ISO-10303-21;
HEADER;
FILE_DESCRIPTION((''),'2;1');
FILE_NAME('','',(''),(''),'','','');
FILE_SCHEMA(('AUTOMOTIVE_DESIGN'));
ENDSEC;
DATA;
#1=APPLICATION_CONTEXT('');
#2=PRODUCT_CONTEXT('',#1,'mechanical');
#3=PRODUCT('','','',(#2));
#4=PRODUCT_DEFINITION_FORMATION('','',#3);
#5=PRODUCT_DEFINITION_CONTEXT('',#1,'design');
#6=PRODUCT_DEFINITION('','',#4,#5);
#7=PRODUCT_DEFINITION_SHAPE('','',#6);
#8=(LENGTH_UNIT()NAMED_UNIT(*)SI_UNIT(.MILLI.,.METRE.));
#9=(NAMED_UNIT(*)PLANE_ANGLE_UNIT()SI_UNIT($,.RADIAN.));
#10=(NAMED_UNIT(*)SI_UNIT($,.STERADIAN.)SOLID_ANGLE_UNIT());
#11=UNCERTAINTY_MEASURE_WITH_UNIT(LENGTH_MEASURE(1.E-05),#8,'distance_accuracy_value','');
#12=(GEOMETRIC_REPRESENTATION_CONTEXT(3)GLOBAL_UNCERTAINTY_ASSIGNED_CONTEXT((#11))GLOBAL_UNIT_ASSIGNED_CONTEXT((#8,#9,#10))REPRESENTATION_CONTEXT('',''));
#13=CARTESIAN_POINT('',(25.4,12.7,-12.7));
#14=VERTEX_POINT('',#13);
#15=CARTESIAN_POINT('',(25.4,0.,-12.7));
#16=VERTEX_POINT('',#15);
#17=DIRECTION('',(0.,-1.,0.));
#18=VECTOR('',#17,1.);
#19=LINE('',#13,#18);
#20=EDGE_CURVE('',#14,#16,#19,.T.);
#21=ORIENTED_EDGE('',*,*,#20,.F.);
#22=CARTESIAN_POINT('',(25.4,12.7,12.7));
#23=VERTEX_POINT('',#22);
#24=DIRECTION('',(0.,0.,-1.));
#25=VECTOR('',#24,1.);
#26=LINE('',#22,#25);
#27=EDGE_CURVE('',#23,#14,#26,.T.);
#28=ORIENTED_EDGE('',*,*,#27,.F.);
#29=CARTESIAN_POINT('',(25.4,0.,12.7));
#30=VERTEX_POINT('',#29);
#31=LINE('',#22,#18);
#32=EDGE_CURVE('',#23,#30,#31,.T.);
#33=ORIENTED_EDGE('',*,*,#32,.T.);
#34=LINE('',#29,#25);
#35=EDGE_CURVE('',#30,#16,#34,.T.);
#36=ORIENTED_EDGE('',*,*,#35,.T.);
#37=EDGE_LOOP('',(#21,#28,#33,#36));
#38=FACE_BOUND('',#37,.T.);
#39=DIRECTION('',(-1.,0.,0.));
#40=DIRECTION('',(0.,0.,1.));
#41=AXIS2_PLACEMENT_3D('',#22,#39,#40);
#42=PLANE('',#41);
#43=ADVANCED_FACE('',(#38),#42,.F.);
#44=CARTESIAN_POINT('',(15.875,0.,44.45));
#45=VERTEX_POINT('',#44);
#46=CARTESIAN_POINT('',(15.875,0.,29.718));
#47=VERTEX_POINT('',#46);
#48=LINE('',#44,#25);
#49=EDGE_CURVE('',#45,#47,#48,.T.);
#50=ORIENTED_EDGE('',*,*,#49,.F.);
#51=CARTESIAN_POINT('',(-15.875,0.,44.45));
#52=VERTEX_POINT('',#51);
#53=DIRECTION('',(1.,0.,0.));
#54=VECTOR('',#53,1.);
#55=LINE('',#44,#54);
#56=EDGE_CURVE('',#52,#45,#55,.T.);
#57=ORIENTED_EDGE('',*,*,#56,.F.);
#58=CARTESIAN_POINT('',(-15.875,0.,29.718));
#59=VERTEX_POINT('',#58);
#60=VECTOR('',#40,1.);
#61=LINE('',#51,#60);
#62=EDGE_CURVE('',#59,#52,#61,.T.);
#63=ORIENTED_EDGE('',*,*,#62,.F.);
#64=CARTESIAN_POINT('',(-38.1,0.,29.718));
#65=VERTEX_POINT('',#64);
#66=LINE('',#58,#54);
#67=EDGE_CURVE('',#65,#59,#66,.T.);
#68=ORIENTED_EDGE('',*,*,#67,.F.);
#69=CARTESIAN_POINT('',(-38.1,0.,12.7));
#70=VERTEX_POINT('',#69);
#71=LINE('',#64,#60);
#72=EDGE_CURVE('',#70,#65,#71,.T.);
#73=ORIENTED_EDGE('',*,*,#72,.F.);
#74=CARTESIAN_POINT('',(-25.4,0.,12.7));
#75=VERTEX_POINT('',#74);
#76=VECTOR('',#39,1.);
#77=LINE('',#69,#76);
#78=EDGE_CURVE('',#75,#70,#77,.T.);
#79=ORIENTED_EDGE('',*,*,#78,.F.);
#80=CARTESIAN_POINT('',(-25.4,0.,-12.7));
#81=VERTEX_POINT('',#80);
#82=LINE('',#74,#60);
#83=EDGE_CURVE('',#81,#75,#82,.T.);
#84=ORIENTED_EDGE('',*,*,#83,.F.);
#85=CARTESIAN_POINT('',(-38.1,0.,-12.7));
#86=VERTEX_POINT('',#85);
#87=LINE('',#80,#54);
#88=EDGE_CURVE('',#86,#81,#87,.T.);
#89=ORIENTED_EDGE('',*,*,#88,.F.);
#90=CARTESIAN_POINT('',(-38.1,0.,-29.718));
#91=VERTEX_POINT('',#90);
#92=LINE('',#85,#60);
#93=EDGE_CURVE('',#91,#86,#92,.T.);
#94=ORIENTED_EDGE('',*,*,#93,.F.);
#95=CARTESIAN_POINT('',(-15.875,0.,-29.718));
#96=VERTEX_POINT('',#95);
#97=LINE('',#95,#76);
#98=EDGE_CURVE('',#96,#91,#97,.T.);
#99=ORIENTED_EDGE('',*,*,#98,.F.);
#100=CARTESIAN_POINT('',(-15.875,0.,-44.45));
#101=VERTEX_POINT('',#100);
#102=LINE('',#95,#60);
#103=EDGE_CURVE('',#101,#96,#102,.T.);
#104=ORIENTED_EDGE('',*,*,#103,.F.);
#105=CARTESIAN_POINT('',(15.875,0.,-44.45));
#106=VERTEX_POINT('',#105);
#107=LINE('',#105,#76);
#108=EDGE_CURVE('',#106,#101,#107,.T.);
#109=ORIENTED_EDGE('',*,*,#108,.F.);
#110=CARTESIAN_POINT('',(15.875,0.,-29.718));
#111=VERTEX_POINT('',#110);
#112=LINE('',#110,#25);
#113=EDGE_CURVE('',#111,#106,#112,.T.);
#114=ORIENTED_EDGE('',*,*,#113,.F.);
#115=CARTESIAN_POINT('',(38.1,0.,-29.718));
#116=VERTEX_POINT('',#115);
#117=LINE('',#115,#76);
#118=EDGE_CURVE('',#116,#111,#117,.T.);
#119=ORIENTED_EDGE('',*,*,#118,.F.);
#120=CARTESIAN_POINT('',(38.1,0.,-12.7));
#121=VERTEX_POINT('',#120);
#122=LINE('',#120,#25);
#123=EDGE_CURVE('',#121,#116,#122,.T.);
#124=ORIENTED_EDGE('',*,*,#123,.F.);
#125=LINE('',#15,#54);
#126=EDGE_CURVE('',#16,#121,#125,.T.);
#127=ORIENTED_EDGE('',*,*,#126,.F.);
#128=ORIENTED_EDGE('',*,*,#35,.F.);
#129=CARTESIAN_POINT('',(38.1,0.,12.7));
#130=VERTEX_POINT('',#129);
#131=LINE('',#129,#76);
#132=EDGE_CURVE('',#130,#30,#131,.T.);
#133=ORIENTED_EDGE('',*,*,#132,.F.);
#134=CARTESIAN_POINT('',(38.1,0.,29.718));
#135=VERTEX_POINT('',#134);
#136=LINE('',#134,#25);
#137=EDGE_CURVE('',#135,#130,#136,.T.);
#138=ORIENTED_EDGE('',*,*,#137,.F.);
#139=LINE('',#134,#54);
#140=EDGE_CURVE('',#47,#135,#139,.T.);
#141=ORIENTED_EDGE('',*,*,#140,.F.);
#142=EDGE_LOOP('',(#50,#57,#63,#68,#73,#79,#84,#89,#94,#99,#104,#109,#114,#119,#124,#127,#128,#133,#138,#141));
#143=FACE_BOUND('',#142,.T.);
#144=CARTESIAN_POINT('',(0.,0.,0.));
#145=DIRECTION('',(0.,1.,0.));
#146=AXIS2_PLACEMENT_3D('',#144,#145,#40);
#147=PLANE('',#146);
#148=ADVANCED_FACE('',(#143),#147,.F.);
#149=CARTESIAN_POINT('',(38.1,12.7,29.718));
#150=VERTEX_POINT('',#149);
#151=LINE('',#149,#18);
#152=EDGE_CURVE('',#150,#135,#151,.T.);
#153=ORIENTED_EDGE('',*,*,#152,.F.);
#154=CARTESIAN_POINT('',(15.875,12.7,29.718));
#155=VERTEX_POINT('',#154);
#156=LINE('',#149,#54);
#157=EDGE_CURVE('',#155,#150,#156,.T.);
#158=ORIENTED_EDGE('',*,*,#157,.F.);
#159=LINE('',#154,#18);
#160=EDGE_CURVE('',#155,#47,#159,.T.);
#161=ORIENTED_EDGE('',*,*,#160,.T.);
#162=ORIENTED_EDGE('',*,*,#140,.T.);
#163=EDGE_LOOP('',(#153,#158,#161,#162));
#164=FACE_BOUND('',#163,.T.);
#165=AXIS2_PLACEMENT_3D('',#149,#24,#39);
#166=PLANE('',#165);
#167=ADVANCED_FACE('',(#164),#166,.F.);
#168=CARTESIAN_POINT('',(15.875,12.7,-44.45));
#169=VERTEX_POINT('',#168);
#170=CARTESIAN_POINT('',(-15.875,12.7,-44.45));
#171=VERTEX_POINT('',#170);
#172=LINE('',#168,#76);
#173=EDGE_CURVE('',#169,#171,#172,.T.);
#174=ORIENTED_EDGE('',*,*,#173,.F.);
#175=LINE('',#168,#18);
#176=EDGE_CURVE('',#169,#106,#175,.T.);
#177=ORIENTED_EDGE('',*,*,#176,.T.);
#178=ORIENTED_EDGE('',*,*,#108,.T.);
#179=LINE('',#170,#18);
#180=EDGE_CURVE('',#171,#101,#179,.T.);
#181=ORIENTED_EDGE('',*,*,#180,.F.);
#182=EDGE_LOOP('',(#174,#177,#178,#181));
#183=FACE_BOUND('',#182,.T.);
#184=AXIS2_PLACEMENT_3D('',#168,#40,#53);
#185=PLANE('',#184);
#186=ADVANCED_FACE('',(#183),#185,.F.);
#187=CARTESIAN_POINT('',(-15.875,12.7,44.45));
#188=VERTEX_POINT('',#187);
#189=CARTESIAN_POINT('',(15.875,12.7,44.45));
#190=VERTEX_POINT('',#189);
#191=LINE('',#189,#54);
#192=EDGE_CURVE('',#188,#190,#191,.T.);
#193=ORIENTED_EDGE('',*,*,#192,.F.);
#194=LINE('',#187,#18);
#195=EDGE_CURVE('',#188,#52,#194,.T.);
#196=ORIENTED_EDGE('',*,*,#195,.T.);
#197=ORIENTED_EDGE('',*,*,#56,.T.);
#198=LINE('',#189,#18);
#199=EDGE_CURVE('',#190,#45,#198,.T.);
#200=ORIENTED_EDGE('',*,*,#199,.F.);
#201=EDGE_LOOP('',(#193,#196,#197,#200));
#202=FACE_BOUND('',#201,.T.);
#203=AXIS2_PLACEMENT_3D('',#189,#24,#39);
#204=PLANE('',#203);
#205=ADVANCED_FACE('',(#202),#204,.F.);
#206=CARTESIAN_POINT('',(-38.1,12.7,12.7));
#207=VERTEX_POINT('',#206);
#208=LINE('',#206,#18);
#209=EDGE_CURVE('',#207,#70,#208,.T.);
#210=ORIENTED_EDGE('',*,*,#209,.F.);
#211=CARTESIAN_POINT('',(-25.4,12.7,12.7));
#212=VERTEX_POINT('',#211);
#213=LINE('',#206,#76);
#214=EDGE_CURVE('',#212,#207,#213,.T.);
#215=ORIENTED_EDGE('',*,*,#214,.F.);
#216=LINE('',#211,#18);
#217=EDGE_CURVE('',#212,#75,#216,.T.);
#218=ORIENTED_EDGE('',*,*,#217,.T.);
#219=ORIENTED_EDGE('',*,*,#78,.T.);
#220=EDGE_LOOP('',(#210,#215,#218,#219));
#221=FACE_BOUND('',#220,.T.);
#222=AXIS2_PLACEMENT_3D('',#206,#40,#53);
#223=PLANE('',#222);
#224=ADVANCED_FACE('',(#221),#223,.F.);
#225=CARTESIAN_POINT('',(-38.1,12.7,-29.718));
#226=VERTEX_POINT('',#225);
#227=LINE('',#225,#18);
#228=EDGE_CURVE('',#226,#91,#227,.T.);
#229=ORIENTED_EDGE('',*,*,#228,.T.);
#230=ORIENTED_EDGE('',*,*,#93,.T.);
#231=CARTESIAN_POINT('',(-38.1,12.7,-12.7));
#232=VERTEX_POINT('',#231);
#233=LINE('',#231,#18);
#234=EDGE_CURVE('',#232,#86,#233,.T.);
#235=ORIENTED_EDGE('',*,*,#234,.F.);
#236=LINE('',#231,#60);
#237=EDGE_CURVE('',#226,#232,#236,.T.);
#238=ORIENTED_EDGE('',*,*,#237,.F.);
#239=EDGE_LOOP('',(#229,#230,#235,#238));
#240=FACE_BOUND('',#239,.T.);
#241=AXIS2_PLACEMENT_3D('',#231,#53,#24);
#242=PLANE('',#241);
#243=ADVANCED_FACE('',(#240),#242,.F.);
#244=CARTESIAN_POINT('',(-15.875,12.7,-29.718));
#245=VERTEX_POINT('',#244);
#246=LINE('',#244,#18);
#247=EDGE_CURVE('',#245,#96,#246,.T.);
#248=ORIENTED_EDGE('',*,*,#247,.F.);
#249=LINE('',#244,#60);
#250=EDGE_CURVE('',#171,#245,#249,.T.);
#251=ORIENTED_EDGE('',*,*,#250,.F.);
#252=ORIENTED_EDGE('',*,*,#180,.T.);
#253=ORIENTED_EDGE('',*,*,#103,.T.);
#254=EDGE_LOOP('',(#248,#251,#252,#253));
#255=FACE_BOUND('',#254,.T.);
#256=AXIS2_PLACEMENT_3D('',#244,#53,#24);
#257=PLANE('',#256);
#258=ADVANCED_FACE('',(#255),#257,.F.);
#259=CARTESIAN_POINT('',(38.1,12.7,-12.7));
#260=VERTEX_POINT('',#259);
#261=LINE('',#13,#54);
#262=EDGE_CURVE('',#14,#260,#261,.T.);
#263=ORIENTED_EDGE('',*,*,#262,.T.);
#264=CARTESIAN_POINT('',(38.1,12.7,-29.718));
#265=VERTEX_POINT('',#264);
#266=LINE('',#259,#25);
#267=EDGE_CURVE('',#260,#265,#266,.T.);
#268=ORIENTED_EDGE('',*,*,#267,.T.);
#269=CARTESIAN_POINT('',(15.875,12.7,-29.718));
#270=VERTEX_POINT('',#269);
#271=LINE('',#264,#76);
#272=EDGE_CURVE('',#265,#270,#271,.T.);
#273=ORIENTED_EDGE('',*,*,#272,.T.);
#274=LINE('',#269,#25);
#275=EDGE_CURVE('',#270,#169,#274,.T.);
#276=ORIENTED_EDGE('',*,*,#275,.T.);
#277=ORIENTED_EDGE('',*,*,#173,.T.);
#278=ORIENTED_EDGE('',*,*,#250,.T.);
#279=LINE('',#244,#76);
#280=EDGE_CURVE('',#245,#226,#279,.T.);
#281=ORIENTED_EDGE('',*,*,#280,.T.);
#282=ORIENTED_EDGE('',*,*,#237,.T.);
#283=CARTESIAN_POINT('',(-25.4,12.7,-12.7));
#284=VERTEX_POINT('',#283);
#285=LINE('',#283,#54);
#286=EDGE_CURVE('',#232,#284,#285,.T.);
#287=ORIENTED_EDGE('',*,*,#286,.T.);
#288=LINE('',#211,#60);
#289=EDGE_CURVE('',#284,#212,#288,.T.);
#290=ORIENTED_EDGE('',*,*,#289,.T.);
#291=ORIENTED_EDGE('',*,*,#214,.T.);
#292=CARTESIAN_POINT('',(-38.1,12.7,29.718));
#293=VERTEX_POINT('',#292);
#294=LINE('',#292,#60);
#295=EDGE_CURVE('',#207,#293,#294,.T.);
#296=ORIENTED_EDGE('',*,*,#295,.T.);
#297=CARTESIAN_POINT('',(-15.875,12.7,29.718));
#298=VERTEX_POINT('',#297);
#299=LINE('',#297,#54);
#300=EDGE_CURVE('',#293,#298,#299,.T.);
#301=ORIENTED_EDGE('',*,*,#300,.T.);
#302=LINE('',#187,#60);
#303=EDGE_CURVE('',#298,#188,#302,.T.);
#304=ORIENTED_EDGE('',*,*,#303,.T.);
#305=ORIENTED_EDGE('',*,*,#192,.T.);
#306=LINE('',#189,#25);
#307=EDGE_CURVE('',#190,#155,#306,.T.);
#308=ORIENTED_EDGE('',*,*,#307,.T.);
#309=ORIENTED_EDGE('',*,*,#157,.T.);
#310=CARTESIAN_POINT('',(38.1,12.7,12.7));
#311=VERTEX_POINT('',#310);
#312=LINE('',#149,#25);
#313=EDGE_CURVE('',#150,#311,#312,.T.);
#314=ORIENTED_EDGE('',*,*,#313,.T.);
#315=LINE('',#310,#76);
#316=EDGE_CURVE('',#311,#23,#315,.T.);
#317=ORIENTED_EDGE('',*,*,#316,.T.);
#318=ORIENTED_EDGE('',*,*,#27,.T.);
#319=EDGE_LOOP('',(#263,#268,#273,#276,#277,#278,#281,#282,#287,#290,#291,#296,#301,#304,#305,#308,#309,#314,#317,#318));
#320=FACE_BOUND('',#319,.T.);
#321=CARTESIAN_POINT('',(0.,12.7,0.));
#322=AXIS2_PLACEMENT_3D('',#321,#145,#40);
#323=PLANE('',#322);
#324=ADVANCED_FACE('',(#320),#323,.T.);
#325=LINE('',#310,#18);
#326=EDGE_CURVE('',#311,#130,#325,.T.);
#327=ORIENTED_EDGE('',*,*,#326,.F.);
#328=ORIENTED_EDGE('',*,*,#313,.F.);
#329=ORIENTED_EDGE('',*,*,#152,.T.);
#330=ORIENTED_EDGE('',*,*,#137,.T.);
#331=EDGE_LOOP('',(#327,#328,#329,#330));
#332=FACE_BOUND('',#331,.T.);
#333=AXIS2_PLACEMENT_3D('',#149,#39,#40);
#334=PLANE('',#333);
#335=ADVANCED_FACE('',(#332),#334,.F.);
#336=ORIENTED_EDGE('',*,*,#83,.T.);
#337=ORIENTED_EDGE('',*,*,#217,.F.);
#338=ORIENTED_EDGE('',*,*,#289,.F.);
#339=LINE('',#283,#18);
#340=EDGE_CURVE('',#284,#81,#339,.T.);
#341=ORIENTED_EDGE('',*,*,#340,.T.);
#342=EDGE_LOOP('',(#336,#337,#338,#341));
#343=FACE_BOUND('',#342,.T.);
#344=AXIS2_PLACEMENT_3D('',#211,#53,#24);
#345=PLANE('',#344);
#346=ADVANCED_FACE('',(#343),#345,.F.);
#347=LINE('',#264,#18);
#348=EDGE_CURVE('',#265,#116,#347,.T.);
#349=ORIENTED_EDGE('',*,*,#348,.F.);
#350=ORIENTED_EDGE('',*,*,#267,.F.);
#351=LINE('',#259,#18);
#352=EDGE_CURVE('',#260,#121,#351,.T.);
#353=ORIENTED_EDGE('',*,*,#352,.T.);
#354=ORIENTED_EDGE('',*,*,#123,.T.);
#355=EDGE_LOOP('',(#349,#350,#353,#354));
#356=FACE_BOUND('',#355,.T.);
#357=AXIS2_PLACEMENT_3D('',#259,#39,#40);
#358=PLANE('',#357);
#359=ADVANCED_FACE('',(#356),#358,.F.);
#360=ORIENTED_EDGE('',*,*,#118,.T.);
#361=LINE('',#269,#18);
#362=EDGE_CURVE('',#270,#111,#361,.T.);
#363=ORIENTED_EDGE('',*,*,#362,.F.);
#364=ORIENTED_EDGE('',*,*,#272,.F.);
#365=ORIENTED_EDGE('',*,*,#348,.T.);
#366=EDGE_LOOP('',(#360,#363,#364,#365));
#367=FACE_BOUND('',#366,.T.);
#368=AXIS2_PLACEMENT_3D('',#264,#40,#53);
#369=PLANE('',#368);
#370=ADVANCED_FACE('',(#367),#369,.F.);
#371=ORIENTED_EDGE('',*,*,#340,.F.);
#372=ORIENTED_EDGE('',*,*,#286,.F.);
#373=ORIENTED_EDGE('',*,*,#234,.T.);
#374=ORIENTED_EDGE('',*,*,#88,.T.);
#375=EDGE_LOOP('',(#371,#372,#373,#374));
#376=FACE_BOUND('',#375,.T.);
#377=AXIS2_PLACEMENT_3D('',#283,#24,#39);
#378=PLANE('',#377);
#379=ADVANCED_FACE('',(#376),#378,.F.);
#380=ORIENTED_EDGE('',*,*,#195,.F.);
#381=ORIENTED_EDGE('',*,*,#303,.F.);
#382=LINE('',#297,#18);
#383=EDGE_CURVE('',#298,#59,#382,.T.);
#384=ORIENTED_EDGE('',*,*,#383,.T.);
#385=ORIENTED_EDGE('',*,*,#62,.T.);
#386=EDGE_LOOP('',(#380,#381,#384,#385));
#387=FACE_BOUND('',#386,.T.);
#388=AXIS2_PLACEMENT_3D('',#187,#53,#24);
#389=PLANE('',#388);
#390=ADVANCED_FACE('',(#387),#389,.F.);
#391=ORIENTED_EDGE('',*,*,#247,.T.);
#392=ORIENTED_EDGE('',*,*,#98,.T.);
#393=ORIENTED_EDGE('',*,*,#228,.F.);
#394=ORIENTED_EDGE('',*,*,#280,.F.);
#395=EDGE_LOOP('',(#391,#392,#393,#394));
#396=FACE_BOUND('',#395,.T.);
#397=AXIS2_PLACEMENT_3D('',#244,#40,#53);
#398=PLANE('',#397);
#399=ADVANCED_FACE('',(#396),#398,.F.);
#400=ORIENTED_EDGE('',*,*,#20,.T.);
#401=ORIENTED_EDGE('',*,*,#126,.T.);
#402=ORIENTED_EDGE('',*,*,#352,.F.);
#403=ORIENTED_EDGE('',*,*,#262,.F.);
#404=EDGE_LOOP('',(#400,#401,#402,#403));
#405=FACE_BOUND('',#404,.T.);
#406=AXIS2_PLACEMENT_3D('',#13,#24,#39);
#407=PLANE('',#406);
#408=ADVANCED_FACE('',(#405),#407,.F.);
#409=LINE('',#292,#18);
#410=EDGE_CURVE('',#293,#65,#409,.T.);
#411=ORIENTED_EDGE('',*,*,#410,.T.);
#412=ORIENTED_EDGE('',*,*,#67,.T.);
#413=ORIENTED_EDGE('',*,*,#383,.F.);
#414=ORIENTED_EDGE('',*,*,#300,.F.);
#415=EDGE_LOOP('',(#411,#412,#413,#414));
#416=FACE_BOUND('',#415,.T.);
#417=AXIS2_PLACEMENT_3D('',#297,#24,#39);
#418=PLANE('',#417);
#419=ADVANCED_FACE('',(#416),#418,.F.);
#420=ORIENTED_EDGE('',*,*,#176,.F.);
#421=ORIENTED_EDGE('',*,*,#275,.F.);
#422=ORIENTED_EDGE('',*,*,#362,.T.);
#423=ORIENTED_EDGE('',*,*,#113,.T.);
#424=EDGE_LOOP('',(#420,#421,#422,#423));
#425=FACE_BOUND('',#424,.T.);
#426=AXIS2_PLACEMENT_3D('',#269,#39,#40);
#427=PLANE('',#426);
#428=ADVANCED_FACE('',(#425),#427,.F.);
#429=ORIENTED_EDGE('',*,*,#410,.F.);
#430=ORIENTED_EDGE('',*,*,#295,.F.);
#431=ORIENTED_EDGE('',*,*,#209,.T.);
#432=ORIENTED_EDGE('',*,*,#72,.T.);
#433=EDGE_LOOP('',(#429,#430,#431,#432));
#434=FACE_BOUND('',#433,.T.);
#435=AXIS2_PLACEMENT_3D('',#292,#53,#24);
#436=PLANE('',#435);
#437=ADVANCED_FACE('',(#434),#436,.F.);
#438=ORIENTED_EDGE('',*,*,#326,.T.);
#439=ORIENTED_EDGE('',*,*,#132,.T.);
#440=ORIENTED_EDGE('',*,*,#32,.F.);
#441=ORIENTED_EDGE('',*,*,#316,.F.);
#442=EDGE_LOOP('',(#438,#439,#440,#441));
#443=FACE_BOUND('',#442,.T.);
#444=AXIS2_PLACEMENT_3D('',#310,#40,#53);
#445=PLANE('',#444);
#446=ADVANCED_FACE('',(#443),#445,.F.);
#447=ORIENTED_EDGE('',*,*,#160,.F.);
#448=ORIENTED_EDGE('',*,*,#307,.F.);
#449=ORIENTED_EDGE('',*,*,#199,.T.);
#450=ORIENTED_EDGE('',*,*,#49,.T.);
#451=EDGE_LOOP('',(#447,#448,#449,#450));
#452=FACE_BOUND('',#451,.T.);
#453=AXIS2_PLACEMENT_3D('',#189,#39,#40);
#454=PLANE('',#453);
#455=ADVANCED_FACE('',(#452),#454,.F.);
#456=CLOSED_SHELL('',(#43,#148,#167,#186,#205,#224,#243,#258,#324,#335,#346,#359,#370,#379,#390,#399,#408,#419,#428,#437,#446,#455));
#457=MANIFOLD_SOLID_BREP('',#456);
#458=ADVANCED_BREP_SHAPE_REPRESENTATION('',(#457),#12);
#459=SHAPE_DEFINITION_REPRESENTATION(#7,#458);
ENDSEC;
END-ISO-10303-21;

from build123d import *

# Parameters (mm, degrees)
BOSS_EXTRUDE1_DEPTH = 12.7


with BuildPart() as part:
    # Sketch1 → Boss-Extrude1 (new body)
    with BuildSketch(Plane(origin=(0, 0, 0), x_dir=(1, 0, 0), z_dir=(0, 1, 0))):
        Polygon((-15.875, -29.718), (-38.1, -29.718), (-38.1, -12.7), (-25.4, -12.7), (-25.4, 12.7), (-38.1, 12.7), (-38.1, 29.718), (-15.875, 29.718), (-15.875, 44.45), (15.875, 44.45), (15.875, 29.718), (38.1, 29.718), (38.1, 12.7), (25.4, 12.7), (25.4, -12.7), (38.1, -12.7), (38.1, -29.718), (15.875, -29.718), (15.875, -44.45), (-15.875, -44.45), align=None)
    extrude(amount=BOSS_EXTRUDE1_DEPTH)


solid = part.part
